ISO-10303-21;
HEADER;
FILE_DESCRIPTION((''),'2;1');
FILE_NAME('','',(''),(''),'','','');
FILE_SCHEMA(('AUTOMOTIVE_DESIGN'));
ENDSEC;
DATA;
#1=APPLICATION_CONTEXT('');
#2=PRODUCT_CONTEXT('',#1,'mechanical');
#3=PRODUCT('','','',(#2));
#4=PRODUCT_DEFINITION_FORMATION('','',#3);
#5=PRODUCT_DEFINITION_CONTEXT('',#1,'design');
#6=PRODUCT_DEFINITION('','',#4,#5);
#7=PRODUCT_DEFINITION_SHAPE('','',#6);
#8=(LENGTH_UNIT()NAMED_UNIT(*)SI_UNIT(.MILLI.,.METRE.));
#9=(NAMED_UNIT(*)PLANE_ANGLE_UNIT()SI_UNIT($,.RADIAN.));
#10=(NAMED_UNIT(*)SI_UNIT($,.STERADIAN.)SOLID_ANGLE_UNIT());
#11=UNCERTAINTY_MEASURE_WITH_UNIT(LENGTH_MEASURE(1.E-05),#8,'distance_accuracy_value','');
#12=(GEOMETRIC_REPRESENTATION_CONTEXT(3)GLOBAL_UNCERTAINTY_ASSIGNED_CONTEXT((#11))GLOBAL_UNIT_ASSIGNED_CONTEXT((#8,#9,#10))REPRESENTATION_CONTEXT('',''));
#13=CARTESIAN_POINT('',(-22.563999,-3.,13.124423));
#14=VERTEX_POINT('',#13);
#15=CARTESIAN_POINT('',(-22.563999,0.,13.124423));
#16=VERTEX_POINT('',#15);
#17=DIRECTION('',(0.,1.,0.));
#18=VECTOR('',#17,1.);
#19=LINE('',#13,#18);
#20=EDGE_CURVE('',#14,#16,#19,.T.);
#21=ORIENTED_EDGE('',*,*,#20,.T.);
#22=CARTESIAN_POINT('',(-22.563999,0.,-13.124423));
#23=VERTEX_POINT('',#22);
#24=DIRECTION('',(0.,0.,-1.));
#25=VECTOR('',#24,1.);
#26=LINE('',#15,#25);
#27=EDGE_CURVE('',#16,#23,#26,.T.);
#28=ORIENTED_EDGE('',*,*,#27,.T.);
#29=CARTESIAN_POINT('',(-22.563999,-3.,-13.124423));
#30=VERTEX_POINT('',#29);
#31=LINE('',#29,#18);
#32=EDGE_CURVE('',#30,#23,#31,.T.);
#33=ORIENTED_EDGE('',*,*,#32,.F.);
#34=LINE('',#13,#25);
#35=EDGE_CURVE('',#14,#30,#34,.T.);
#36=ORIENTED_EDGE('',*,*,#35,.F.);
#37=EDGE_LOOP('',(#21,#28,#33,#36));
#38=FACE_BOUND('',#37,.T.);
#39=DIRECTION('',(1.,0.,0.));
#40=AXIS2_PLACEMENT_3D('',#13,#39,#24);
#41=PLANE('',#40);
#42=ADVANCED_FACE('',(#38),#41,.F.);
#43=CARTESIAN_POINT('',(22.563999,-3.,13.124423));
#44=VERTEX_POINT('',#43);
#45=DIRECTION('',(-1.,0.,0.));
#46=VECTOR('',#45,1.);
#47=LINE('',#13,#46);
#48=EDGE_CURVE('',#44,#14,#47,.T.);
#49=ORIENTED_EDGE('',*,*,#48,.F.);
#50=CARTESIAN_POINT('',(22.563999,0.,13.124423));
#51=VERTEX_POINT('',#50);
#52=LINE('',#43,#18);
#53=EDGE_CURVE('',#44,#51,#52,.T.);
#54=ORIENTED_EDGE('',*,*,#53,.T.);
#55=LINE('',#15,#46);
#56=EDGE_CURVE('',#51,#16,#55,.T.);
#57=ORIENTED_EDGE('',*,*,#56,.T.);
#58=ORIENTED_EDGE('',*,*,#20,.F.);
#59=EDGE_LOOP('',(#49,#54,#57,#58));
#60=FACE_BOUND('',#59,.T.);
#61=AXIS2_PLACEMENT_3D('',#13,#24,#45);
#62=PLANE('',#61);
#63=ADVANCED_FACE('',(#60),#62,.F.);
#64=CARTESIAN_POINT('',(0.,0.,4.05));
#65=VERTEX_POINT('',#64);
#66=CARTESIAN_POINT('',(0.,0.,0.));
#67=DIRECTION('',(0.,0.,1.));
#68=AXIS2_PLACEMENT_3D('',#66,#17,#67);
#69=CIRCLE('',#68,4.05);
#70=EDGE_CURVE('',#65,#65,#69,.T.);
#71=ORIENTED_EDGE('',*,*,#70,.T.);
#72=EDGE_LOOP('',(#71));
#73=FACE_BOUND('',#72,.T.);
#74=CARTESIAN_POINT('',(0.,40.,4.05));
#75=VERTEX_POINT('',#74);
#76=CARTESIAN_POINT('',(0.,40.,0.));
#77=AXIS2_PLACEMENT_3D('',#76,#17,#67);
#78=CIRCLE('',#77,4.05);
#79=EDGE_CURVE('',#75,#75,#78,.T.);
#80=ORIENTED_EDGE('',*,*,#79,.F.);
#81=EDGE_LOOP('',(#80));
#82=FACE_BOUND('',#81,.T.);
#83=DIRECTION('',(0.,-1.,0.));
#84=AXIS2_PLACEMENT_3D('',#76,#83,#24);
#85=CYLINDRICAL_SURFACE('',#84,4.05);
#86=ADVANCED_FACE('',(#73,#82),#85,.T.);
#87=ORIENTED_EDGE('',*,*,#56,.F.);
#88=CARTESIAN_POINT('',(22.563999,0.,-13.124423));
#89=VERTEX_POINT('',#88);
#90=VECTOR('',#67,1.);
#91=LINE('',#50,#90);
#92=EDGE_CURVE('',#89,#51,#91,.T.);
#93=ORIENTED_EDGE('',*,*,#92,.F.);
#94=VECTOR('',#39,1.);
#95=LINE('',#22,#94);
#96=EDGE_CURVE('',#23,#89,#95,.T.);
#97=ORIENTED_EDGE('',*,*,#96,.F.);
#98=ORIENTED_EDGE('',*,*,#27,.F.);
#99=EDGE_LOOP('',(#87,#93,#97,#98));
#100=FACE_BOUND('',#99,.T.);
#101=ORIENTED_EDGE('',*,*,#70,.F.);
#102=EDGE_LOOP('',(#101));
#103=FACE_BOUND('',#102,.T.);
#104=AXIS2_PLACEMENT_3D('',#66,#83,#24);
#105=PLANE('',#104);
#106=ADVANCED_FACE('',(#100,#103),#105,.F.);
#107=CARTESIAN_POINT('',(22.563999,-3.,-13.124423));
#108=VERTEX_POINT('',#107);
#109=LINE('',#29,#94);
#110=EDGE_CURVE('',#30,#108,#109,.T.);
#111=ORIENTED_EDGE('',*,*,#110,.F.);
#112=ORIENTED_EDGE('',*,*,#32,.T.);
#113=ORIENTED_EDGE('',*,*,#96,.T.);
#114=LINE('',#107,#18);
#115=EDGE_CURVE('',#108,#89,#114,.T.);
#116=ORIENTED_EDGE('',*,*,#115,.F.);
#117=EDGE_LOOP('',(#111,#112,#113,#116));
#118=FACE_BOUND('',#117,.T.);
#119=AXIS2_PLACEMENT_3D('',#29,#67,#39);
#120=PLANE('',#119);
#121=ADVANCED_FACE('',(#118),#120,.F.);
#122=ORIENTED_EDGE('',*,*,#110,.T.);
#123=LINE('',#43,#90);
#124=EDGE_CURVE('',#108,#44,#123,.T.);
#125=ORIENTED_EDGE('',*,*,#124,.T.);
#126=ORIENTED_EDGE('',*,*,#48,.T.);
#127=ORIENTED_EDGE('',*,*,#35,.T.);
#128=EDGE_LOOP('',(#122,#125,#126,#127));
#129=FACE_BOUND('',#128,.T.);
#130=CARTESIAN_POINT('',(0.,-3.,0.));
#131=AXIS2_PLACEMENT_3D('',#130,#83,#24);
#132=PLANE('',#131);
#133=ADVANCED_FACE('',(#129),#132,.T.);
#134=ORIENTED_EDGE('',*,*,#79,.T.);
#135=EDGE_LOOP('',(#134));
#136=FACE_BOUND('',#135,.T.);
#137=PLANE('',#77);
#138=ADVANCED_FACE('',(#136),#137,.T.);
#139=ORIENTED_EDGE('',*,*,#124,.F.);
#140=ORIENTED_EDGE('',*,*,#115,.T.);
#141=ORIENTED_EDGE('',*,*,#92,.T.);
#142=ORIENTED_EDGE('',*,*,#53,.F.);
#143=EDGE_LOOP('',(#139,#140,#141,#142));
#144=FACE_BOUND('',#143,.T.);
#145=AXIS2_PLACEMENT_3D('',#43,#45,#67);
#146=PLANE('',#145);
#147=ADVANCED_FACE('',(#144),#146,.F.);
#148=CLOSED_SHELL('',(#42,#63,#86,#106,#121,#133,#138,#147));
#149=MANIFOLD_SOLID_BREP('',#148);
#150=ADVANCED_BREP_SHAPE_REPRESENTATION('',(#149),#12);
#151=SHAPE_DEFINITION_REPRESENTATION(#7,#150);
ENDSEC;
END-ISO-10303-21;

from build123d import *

# Parameters (mm, degrees)
SKETCH1_R           = 4.05
BOSS_EXTRUDE1_DEPTH = 40
SKETCH2_W           = 45.127997656
SKETCH2_H           = 26.248845412
BOSS_EXTRUDE2_DEPTH = 3


with BuildPart() as part:
    # Sketch1 → Boss-Extrude1 (new body)
    with BuildSketch(Plane(origin=(0, 0, 0), x_dir=(1, 0, 0), z_dir=(0, 1, 0))):
        Circle(SKETCH1_R)
    extrude(amount=BOSS_EXTRUDE1_DEPTH)

    # Sketch2 → Boss-Extrude2 (add)
    with BuildSketch(Plane.XZ):
        Rectangle(SKETCH2_W, SKETCH2_H)
    extrude(amount=BOSS_EXTRUDE2_DEPTH)


solid = part.part
